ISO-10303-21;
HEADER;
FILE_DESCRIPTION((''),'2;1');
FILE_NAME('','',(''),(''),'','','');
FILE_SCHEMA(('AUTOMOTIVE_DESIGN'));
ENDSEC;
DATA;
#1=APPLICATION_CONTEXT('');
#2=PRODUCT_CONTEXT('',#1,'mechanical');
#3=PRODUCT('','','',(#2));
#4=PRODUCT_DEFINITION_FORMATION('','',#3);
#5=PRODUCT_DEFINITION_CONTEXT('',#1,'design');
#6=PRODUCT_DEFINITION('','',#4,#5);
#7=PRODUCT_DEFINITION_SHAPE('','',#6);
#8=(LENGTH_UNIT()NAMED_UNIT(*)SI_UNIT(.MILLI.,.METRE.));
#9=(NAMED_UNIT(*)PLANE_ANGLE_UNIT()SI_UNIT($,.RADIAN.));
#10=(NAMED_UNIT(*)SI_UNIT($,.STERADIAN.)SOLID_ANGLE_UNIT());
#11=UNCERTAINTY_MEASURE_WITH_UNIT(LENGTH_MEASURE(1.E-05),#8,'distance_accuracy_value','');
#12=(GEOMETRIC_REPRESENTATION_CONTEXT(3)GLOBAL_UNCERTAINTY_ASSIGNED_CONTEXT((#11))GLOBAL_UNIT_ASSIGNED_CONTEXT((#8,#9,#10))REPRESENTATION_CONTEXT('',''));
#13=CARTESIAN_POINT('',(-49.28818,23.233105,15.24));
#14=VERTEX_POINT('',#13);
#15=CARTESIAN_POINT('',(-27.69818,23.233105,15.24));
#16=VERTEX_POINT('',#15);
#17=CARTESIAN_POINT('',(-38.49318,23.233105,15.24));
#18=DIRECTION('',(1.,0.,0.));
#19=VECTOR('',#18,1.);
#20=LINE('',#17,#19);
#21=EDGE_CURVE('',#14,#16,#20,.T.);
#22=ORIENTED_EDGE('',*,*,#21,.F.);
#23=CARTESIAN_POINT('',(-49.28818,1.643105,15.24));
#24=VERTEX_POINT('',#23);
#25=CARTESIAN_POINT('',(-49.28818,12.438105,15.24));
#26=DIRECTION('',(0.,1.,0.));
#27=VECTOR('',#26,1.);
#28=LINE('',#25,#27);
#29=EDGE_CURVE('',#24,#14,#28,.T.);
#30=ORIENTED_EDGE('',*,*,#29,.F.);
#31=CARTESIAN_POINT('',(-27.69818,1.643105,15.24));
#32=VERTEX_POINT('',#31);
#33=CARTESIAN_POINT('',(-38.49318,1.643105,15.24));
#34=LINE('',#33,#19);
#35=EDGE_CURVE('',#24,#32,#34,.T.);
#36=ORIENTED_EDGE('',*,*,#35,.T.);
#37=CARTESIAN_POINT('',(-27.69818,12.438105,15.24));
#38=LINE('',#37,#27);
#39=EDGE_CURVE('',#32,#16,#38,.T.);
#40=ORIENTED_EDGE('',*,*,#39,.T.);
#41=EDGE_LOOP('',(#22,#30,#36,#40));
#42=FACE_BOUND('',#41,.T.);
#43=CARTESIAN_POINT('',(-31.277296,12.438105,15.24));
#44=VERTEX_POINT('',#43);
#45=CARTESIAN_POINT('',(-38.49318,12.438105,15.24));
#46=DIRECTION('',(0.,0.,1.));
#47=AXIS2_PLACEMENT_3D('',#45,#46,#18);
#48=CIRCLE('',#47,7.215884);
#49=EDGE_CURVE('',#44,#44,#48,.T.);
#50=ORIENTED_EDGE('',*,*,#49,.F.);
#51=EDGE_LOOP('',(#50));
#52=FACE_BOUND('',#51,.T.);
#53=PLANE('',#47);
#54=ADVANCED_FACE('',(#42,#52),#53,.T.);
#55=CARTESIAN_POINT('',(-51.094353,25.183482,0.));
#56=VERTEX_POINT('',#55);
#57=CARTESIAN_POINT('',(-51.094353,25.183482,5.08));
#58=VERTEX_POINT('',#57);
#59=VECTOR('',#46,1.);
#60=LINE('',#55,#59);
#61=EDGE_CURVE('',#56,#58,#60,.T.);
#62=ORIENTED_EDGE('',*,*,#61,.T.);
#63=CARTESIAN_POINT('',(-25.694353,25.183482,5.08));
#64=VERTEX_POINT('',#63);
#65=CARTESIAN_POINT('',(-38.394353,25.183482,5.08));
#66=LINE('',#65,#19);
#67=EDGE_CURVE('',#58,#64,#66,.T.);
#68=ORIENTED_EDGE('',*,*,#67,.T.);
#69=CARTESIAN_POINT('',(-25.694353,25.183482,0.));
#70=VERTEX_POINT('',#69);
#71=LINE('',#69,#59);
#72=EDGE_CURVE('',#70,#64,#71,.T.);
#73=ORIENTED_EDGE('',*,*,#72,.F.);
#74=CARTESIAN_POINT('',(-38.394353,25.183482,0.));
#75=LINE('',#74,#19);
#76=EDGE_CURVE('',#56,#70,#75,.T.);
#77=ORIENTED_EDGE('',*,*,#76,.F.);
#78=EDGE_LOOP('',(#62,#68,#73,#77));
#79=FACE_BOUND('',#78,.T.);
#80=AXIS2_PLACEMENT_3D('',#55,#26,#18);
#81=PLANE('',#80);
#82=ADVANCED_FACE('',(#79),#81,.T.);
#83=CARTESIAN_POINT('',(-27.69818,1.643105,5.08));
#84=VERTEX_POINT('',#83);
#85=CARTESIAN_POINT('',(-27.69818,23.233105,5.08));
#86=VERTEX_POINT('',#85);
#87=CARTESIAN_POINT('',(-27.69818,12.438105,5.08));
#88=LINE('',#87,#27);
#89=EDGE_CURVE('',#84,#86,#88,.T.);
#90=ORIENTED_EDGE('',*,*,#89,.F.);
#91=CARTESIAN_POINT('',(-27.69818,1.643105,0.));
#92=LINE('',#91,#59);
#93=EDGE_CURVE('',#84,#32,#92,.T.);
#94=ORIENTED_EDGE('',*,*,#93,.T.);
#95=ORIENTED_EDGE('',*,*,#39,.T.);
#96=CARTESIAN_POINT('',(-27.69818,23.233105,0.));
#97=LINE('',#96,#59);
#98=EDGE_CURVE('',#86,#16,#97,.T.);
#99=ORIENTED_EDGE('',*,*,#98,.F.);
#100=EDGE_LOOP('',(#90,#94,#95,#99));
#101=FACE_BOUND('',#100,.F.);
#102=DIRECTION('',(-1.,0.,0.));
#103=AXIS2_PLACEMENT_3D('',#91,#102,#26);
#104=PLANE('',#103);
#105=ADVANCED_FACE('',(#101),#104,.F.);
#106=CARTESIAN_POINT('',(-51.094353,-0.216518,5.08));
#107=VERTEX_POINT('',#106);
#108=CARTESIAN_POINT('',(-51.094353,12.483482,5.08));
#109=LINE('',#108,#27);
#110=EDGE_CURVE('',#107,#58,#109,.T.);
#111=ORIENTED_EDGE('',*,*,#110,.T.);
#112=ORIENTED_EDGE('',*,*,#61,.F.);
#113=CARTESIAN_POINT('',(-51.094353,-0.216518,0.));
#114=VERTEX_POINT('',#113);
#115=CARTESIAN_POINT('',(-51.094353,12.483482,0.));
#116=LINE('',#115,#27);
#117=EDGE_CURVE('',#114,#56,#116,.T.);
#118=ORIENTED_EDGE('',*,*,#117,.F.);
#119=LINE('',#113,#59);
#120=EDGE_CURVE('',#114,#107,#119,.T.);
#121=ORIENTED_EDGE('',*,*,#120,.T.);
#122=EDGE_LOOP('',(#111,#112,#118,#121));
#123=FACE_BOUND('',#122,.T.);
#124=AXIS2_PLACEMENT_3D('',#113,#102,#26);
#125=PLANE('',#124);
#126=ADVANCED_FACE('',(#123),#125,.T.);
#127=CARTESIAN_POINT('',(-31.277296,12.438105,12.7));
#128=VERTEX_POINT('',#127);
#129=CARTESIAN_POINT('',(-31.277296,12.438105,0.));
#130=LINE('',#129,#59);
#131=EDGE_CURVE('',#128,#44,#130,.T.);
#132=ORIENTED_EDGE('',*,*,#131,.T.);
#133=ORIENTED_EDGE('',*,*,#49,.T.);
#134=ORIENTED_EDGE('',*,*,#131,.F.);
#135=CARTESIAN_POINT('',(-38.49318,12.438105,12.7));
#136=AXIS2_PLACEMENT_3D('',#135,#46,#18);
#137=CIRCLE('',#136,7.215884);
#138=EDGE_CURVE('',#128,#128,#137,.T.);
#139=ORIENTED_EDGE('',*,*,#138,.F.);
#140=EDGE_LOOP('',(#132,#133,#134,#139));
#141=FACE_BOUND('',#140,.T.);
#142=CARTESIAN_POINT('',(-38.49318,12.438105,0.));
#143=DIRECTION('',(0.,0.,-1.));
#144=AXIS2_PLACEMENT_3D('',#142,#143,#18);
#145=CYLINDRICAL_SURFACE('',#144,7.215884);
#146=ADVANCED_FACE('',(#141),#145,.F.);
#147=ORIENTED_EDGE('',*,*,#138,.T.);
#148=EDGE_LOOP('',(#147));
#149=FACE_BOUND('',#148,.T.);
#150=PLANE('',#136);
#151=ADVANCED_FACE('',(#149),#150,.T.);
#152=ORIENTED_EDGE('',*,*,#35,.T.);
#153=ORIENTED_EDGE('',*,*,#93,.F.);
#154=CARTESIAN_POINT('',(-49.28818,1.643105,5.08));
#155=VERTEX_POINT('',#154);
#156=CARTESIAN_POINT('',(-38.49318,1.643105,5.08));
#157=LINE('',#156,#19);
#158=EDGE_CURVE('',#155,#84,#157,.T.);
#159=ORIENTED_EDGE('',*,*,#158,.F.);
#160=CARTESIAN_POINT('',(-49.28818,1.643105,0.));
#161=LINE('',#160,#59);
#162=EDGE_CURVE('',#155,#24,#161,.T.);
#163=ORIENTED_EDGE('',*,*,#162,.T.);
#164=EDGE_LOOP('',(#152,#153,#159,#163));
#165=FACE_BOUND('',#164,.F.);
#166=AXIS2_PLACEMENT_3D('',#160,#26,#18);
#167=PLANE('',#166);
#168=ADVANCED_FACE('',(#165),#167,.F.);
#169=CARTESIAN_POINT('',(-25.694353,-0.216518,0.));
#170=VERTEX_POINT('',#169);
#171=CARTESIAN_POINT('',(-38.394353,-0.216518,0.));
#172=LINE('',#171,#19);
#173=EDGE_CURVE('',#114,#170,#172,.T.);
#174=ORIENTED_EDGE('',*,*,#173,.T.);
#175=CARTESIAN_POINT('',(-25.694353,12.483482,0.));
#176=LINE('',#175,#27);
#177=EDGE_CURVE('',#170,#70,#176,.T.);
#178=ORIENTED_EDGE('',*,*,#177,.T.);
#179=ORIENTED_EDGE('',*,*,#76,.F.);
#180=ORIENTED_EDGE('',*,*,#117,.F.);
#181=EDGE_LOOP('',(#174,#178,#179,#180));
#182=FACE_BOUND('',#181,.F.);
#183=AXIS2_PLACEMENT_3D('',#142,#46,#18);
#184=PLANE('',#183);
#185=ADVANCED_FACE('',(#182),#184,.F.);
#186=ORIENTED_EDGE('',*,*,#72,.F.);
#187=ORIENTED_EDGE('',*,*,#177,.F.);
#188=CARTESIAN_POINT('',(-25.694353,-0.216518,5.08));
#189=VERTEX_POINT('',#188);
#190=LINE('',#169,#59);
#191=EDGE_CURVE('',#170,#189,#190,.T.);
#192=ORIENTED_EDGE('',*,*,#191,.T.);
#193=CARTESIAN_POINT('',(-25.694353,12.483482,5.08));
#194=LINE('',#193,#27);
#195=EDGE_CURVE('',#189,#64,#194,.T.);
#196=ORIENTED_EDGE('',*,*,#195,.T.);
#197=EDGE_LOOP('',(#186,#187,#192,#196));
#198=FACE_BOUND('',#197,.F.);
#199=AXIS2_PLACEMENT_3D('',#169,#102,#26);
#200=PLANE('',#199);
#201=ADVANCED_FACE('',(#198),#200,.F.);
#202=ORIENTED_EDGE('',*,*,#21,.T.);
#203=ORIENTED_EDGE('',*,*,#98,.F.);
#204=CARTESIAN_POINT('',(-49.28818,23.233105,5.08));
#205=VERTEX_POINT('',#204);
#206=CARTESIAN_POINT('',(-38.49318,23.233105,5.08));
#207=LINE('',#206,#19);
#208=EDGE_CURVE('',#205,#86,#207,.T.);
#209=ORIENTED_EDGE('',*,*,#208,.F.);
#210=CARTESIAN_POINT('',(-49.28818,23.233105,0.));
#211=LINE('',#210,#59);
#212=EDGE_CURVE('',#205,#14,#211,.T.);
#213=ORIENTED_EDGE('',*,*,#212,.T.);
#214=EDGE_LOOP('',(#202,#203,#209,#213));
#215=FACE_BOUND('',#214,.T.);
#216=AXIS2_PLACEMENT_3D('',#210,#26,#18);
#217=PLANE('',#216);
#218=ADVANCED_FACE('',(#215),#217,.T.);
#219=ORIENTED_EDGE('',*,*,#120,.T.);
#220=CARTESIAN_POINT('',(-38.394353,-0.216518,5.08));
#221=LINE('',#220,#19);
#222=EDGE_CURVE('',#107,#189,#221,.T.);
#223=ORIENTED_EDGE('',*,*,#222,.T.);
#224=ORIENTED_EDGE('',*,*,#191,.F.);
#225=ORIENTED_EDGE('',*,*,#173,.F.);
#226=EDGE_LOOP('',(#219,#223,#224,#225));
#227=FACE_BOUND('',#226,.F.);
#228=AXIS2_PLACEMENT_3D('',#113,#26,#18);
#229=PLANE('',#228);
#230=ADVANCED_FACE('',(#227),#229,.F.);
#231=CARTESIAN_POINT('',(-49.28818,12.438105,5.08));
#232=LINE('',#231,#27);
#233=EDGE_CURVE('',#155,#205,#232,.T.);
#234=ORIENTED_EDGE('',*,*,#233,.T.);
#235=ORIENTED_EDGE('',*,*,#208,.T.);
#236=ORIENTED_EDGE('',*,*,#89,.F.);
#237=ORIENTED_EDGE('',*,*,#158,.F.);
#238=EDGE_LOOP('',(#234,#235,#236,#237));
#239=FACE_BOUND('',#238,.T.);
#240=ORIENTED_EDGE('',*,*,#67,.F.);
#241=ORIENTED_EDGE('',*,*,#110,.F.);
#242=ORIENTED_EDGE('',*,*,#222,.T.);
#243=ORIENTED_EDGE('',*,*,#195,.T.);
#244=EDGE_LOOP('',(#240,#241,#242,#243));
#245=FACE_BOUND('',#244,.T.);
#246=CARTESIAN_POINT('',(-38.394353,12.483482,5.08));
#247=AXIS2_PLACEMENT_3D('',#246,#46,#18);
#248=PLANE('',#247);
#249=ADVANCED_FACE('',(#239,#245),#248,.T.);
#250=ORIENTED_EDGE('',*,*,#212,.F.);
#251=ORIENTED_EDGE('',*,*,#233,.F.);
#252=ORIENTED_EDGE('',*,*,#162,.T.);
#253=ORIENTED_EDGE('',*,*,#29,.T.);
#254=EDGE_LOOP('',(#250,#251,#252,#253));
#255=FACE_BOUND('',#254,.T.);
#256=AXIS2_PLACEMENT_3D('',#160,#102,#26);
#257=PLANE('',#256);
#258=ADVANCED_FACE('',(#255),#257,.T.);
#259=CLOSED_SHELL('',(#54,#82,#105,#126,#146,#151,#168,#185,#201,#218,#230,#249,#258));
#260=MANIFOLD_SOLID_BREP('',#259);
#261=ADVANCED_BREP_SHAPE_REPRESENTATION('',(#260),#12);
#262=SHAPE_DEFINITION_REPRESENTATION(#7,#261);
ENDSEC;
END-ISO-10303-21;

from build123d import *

# Parameters (mm, degrees)
F0_W     = 25.4
F0_H     = 25.4
F0_W_2   = 21.59
F0_H_2   = 21.59
F1_DEPTH = 5.08
F0_R     = 7.215884
F2_DEPTH = 15.24
F3_DEPTH = 12.7


with BuildPart() as f1:
    # F0 (on Top) → F1 (new body)
    with BuildSketch(Plane.XY):
        with Locations((-38.394353, 12.483482)):
            Rectangle(F0_W, F0_H)
        with Locations((-38.49318, 12.438105)):
            Rectangle(F0_W_2, F0_H_2, mode=Mode.SUBTRACT)
    extrude(amount=F1_DEPTH)

    # F0 (on Top) → F2 (join)
    with BuildSketch(Plane.XY):
        with Locations((-38.49318, 12.438105)):
            Rectangle(F0_W_2, F0_H_2)
        with Locations((-38.49318, 12.438105)):
            Circle(F0_R, mode=Mode.SUBTRACT)
    extrude(amount=F2_DEPTH)

    # F0 (on Top) → F3 (join)
    with BuildSketch(Plane.XY):
        with Locations((-38.49318, 12.438105)):
            Circle(F0_R)
    extrude(amount=F3_DEPTH)


solid = f1.part
